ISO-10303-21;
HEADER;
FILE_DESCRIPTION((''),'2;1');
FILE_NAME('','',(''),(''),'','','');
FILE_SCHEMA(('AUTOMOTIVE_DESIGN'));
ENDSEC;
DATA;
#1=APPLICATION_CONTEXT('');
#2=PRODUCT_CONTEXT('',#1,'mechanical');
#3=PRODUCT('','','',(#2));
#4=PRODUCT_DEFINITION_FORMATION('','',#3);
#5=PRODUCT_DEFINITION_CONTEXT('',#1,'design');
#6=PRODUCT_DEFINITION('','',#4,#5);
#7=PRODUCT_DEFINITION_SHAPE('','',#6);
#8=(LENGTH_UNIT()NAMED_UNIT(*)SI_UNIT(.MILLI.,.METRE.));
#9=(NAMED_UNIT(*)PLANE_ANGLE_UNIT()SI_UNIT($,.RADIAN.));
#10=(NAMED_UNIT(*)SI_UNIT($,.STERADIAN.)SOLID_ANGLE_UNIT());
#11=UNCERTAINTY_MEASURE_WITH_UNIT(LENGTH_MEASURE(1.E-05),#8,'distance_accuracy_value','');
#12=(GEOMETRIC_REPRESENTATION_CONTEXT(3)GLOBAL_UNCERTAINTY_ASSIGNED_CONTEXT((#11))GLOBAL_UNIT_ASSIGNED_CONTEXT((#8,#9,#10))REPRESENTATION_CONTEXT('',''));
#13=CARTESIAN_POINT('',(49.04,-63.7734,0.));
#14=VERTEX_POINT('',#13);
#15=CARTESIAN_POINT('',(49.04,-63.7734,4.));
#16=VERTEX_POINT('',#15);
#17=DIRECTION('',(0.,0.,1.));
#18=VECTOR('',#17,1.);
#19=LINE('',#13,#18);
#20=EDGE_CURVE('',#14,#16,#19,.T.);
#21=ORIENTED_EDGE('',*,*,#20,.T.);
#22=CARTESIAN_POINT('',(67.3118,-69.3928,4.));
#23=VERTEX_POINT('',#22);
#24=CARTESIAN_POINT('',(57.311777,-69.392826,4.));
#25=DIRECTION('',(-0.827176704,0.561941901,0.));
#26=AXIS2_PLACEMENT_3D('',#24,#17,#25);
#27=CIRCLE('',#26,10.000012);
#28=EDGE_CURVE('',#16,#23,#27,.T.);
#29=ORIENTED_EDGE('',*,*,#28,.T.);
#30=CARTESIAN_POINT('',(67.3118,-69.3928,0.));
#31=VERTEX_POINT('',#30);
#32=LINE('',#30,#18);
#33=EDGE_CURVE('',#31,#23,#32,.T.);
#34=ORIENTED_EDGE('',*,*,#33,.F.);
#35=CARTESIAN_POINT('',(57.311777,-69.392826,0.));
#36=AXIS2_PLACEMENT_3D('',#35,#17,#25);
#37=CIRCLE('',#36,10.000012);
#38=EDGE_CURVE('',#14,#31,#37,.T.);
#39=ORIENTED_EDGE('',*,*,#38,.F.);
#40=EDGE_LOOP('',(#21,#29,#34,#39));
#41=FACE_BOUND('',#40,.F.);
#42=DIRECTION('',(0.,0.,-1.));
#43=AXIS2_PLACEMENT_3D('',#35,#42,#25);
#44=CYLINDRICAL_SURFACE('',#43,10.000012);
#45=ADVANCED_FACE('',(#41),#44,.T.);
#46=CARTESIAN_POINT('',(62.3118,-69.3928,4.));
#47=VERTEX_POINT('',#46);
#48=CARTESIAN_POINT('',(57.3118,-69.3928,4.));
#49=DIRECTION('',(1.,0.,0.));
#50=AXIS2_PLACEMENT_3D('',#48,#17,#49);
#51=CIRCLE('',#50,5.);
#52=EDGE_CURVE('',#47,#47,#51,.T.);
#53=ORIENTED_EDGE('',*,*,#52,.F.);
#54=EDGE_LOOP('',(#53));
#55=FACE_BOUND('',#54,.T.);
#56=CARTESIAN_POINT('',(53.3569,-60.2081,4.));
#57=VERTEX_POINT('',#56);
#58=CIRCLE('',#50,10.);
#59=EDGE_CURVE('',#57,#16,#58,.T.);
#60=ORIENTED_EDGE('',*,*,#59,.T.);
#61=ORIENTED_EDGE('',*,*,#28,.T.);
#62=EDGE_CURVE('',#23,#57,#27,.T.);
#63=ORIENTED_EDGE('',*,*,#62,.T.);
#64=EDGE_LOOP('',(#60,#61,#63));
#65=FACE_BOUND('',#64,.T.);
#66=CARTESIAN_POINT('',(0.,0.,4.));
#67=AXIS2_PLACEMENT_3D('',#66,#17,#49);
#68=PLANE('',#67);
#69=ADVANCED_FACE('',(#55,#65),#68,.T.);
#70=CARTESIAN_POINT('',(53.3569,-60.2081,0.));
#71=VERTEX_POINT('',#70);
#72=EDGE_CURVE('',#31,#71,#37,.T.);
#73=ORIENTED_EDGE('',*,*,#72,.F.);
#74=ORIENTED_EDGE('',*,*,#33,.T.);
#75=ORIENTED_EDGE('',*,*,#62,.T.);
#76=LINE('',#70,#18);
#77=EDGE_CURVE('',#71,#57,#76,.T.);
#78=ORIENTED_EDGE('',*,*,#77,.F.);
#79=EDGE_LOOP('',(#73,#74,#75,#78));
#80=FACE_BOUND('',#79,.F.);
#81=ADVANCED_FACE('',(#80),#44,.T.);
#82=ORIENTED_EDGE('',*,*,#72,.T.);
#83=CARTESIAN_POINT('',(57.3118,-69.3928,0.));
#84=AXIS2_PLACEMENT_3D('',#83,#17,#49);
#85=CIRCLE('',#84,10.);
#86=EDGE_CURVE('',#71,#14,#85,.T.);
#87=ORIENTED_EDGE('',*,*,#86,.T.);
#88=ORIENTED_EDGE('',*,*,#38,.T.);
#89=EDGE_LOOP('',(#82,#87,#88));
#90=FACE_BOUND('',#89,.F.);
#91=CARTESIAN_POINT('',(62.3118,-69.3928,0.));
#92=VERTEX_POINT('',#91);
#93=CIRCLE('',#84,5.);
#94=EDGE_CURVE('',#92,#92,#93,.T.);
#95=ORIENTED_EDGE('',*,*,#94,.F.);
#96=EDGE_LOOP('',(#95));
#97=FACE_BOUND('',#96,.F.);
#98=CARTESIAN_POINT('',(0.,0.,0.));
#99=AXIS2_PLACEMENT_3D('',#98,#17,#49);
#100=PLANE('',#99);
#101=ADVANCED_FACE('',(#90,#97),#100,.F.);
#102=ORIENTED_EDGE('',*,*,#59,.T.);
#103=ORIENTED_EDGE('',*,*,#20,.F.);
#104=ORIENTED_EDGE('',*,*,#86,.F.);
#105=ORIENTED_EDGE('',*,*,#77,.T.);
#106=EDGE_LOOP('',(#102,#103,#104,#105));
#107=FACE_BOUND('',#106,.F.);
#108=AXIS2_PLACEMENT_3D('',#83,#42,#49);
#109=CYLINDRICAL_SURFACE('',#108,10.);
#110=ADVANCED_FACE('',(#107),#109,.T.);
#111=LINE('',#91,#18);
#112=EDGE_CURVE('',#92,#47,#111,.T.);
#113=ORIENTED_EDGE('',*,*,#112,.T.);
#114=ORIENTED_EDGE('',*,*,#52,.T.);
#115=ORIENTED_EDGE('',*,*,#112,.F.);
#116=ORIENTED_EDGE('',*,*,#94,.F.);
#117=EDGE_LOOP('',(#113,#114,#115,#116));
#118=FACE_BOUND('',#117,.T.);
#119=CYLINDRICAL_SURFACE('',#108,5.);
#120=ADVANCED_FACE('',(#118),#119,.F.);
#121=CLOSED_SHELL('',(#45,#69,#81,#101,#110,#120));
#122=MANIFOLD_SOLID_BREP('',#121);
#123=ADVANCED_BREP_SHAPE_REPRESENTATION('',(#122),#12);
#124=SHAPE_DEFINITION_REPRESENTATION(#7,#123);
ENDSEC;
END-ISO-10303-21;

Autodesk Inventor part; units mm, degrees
ref_plane "YZ Plane" through (0, 0, 0) normal (1, 0, 0) x (0, 1, 0)
ref_plane "XZ Plane" through (0, 0, 0) normal (0, 1, 0) x (-1, 0, 0)
ref_plane "XY Plane" through (0, 0, 0) normal (0, 0, 1) x (1, 0, 0)
sketch "Эскиз1" plane through (0, 0, 0) normal (0, 0, 1) x (1, 0, 0)
  arc A0 (49.04, -63.7734) -> (53.3569, -60.2081) centre (57.3118, -69.3928) ccw projected
  circle A1 centre (57.3118, -69.3928) radius 5
  circle A2 centre (57.3118, -69.3928) radius 10
  point P0 (0, 0)
  dimension "d0" = 10
extrude "Выдавливание1" add sketch "Эскиз1" along normal blind 4
properties part number "ring"
